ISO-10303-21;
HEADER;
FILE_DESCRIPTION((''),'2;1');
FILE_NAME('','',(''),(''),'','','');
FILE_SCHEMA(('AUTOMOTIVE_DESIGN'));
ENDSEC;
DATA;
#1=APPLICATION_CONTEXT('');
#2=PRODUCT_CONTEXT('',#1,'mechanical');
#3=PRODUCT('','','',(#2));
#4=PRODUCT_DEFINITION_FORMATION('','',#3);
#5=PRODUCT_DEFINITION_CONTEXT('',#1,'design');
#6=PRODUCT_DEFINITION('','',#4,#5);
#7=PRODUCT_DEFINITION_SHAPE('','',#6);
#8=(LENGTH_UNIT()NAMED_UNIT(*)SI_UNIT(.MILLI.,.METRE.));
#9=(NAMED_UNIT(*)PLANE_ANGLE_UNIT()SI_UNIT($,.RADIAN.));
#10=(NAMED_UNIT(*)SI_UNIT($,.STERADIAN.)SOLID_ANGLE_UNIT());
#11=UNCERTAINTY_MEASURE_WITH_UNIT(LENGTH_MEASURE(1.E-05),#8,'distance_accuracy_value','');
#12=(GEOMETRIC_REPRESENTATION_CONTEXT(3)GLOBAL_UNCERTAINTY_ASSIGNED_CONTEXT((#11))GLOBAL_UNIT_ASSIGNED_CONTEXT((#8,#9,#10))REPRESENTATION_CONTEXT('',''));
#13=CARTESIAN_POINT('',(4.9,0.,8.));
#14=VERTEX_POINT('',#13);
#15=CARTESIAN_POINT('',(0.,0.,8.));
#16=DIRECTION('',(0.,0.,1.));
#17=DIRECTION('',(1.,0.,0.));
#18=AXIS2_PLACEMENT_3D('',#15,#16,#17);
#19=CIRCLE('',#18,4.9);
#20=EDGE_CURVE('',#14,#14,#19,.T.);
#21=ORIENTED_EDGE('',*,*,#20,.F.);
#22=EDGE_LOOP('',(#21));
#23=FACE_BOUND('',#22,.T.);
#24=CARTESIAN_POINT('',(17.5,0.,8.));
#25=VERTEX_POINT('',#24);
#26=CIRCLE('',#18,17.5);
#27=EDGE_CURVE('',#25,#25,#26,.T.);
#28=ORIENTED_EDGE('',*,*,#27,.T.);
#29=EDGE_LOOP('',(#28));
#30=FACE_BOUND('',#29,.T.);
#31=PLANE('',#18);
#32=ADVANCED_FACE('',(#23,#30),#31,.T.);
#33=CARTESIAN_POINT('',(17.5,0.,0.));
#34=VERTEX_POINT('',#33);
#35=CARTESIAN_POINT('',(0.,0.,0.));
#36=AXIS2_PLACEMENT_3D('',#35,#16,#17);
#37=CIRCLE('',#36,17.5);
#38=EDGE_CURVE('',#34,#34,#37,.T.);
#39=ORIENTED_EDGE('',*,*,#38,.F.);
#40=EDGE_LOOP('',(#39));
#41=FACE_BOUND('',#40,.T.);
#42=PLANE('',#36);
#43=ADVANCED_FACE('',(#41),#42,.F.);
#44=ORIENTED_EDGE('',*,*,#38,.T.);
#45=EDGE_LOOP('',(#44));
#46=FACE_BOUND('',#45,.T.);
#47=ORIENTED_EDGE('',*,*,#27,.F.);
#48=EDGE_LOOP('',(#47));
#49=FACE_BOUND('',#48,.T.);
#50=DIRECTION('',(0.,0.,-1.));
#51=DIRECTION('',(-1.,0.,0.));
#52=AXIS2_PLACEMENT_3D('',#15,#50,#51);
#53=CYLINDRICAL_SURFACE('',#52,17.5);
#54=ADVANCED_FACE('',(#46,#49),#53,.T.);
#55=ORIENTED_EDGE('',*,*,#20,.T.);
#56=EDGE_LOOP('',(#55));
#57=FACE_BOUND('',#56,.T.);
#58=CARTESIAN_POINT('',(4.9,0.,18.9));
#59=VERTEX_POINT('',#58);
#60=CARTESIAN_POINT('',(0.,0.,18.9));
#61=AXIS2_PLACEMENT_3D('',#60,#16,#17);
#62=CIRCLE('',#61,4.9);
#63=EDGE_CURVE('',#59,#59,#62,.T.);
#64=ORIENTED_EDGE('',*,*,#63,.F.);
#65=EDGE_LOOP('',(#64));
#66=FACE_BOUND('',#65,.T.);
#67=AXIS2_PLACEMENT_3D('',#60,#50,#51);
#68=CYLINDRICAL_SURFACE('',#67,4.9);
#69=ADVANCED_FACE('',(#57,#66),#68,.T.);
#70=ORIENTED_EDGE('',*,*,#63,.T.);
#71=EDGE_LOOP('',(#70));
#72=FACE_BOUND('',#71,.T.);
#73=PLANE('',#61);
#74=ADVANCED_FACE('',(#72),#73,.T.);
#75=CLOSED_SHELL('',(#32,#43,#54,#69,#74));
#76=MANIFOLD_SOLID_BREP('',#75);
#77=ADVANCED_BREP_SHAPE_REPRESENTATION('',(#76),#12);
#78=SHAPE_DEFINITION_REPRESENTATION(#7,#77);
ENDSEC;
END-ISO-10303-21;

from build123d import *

# Parameters (mm, degrees)
SKETCH1_R           = 17.5
BOSS_EXTRUDE1_DEPTH = 8
SKETCH2_R           = 4.9
BOSS_EXTRUDE2_DEPTH = 10.9


with BuildPart() as part:
    # Sketch1 → Boss-Extrude1 (new body)
    with BuildSketch(Plane.XY):
        Circle(SKETCH1_R)
    extrude(amount=BOSS_EXTRUDE1_DEPTH)

    # Sketch2 → Boss-Extrude2 (add)
    with BuildSketch(Plane.XY.offset(8)):
        Circle(SKETCH2_R)
    extrude(amount=BOSS_EXTRUDE2_DEPTH)


solid = part.part
